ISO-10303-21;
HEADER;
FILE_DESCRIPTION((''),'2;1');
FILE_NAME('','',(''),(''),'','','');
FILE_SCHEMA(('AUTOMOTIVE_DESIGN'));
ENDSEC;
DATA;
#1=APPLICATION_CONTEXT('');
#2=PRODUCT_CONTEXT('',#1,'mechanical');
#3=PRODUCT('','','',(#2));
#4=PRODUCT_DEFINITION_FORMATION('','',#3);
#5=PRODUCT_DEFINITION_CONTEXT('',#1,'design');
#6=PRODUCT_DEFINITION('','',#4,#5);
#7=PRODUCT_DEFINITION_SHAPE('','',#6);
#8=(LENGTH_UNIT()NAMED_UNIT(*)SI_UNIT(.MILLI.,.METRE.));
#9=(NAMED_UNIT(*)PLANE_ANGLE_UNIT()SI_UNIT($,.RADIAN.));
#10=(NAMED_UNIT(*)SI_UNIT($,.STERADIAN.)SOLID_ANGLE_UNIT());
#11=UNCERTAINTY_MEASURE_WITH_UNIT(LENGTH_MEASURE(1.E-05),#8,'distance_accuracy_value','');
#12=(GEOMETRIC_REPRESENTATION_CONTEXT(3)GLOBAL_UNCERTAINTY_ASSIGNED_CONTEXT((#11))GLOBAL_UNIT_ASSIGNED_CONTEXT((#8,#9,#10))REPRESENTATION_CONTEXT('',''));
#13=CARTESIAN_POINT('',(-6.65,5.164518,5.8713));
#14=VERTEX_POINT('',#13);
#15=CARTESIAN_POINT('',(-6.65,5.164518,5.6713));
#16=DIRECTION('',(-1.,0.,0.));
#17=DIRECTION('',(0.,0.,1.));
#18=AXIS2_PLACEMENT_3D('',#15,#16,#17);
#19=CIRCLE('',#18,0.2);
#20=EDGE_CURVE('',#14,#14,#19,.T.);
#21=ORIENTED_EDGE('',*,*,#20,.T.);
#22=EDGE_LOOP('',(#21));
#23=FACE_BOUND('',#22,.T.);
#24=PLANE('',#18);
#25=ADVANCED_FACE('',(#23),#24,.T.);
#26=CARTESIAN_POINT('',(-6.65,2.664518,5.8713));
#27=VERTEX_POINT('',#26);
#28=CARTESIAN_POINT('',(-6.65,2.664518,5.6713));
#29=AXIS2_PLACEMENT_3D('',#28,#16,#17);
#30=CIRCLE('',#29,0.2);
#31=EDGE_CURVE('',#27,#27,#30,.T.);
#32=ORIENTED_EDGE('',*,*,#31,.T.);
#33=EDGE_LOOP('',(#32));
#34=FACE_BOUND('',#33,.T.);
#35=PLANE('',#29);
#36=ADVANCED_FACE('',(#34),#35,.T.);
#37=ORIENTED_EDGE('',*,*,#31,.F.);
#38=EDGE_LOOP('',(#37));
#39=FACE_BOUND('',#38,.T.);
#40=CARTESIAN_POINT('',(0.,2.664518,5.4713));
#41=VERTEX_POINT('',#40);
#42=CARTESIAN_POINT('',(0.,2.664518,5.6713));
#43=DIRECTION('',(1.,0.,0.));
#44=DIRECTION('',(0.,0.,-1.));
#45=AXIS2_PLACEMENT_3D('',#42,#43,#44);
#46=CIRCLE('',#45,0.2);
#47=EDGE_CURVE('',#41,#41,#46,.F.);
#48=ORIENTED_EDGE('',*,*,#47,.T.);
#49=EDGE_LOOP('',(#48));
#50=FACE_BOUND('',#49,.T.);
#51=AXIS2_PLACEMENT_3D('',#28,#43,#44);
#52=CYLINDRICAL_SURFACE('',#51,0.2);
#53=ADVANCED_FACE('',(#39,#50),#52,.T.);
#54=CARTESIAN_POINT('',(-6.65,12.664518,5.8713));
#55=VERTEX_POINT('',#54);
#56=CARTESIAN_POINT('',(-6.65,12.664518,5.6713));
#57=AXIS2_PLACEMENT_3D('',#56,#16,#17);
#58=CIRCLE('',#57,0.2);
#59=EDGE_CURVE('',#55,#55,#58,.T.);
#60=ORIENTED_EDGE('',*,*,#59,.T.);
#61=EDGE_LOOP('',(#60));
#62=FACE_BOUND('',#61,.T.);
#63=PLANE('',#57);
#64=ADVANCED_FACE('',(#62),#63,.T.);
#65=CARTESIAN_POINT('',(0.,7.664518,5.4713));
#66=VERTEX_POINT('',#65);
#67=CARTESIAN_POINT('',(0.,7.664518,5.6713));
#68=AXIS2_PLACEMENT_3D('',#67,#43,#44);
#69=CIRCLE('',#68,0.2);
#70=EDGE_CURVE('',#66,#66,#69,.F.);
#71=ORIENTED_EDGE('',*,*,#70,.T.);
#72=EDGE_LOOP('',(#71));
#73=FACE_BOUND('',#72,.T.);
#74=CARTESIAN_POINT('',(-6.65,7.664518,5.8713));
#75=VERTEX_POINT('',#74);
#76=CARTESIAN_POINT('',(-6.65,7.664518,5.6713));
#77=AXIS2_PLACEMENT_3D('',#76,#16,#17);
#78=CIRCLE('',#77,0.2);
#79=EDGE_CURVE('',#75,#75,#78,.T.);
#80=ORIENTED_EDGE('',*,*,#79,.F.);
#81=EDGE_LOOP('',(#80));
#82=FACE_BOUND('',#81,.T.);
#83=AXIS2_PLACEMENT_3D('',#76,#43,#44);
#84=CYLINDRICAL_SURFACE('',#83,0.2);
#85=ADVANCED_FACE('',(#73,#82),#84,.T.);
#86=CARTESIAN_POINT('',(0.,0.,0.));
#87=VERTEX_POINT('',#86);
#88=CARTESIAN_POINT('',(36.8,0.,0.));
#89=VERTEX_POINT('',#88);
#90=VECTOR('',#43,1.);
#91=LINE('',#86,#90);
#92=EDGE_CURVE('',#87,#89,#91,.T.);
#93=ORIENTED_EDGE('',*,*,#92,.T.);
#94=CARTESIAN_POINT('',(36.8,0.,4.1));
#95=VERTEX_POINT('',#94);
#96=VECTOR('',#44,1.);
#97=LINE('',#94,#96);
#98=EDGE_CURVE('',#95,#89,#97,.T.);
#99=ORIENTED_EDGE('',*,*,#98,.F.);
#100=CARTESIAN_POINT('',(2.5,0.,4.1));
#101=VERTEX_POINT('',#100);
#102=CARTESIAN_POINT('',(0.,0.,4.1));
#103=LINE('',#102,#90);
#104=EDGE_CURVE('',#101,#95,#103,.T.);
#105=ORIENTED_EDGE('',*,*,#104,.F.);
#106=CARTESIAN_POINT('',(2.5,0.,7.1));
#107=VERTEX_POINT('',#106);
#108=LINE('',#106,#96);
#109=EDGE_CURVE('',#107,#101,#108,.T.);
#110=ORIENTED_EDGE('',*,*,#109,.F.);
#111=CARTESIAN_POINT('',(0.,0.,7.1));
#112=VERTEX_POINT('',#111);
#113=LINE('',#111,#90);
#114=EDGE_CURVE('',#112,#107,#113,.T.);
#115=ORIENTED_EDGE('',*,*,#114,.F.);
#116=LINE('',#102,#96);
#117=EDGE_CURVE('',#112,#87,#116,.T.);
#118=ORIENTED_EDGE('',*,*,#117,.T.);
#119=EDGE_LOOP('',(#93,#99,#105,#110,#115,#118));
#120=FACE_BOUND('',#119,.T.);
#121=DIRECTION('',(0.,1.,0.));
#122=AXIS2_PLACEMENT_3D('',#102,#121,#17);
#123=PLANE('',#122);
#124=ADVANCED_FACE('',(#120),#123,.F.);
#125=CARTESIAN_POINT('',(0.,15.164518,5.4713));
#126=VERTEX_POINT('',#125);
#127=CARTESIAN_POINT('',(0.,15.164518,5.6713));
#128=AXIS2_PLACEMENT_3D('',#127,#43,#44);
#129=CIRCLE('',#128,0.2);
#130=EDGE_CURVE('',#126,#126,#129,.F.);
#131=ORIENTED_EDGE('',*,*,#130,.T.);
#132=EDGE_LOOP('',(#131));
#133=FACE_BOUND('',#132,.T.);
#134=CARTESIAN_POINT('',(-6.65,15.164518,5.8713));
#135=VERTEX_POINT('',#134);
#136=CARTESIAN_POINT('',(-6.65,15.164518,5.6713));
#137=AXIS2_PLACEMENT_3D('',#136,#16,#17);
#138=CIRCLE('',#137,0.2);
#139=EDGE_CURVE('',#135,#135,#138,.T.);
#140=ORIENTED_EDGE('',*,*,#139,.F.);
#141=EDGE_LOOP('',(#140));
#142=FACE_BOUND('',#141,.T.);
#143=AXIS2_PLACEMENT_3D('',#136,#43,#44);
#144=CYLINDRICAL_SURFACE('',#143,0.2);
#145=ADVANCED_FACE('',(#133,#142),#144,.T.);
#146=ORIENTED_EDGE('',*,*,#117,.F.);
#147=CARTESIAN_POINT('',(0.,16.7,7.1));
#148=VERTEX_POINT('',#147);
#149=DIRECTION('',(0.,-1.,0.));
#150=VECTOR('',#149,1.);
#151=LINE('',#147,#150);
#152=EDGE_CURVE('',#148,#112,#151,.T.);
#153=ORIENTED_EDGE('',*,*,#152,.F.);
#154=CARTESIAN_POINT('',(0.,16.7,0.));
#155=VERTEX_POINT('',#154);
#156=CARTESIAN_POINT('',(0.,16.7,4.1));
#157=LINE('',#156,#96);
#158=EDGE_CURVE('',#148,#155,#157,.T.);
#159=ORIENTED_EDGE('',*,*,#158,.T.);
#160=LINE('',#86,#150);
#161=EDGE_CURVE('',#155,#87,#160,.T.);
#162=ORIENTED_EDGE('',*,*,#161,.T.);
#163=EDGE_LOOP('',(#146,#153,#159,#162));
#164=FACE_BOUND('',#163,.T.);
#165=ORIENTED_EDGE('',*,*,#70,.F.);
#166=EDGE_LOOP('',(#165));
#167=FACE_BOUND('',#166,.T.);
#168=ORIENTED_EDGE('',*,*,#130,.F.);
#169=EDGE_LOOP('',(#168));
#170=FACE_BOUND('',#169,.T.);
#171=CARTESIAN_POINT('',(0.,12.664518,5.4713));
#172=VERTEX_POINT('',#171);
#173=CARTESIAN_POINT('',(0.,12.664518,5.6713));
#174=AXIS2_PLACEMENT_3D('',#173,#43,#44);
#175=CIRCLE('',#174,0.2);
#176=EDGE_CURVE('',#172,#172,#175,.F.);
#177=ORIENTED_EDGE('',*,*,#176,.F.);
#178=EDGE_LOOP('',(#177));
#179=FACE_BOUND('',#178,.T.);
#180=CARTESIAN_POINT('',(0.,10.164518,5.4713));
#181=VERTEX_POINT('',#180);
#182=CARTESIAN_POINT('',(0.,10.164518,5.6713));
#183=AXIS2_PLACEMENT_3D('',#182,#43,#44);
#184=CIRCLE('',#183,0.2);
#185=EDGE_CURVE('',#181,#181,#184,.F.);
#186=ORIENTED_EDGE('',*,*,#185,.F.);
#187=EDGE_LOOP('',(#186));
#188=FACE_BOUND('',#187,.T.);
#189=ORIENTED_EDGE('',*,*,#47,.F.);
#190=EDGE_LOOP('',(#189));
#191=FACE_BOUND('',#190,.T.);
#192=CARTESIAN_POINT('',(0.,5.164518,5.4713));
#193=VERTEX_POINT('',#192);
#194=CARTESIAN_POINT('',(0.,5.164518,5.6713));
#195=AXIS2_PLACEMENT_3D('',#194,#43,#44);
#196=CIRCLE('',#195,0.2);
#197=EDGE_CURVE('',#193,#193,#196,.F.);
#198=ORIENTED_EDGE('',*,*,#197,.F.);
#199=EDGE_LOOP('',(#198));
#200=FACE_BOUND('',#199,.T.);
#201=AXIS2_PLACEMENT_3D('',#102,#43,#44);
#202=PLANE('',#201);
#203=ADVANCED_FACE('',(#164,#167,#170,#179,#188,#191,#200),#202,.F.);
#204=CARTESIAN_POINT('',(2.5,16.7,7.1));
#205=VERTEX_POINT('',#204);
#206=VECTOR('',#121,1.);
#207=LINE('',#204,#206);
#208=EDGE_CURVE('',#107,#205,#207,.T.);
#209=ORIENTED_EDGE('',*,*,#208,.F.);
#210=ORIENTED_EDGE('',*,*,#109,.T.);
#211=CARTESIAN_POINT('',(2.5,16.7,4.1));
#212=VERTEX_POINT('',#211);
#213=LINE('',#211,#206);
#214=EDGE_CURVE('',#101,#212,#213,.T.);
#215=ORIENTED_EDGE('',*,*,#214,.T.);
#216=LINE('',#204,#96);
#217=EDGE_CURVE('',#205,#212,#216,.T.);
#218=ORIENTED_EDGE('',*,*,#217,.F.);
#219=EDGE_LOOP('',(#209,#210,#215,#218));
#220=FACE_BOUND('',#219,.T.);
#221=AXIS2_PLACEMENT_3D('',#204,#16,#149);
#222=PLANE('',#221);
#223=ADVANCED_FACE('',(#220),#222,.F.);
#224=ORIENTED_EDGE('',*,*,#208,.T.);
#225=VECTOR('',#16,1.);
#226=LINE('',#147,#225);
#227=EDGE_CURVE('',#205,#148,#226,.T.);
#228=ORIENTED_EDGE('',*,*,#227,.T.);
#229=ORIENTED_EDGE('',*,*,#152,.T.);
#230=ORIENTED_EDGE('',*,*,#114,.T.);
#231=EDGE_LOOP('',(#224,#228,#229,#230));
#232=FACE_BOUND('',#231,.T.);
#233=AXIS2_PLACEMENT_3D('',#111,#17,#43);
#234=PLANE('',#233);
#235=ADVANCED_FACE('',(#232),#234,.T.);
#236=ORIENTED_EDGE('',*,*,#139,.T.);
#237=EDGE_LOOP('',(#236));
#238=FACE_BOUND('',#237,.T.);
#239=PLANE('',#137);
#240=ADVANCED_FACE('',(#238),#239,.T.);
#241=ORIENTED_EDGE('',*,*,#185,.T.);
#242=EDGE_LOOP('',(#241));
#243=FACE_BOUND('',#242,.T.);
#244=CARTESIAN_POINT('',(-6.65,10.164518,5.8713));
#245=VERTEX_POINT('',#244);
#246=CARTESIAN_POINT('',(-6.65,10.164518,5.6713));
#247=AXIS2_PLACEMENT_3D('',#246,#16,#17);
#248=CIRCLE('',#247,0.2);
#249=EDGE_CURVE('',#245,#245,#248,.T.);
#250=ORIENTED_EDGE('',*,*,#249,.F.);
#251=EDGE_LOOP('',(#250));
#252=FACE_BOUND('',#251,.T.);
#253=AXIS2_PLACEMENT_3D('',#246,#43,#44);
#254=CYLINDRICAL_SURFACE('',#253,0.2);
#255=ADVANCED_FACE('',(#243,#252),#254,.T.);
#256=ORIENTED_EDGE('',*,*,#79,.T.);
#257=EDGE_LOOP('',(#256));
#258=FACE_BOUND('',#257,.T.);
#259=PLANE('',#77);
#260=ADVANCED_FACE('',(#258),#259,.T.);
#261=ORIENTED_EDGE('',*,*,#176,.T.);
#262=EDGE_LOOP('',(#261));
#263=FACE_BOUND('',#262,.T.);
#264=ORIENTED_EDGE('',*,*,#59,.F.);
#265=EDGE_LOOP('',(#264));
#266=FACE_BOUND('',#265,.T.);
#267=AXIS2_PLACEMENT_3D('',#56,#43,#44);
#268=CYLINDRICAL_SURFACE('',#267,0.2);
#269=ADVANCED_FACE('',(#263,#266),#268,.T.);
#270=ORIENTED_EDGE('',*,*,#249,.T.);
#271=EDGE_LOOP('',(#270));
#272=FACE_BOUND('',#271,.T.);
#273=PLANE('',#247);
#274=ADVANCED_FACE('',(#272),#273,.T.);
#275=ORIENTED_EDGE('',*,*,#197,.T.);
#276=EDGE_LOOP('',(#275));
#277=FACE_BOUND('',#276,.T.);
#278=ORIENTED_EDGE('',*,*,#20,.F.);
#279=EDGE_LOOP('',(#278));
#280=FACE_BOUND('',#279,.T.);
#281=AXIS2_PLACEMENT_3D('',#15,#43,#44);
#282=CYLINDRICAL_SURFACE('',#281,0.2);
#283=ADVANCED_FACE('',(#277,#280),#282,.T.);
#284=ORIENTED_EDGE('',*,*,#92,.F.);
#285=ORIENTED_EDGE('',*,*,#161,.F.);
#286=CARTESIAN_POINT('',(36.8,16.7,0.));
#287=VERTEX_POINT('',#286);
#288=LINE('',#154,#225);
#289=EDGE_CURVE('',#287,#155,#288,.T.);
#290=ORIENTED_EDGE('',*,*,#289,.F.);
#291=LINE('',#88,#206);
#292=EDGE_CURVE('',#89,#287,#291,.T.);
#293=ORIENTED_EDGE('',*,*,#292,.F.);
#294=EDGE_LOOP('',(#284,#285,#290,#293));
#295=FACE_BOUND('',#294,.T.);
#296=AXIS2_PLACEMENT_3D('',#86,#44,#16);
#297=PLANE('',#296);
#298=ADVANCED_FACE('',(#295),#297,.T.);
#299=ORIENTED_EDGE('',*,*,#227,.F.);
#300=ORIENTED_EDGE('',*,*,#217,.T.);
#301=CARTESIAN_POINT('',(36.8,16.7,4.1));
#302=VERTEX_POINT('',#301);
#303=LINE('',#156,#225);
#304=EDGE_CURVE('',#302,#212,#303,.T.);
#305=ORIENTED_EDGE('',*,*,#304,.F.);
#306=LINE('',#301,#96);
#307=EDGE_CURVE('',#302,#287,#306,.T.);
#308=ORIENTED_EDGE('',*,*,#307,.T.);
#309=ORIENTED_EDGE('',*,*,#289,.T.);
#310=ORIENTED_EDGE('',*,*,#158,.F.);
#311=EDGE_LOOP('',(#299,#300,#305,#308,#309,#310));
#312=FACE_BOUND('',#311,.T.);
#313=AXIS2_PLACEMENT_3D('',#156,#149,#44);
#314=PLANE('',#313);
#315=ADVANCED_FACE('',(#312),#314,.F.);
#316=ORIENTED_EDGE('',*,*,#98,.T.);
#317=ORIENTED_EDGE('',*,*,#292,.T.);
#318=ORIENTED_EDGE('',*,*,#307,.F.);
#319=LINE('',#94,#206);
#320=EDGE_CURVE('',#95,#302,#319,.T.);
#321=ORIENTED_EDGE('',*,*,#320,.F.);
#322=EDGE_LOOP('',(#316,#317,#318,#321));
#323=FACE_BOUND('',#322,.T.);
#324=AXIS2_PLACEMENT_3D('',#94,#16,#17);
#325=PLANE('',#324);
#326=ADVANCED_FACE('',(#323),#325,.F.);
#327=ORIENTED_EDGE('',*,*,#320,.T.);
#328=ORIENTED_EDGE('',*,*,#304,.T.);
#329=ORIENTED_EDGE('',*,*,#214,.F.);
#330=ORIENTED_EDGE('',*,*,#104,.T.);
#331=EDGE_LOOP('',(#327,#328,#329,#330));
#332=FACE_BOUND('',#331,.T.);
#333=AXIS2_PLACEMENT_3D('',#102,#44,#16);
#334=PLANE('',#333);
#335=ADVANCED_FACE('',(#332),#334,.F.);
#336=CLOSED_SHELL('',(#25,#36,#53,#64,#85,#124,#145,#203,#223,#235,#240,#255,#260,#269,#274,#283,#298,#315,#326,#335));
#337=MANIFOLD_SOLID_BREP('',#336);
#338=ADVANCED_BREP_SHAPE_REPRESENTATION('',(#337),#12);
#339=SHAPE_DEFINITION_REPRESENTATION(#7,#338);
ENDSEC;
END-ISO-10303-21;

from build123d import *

# Parameters (mm, degrees)
SKETCH_1_W      = 36.8
SKETCH_1_H      = 16.7
EXTRUDE_1_DEPTH = 4.1
SKETCH_2_W      = 2.5
SKETCH_2_H      = 16.7
EXTRUDE_2_DEPTH = 3
SKETCH_3_R      = 0.2
EXTRUDE_3_DEPTH = 6.65


with BuildPart() as part:
    # 草图1 → 凸台-拉伸1 (new body)
    with BuildSketch(Plane.XY):
        with Locations((18.4, 8.35)):
            Rectangle(SKETCH_1_W, SKETCH_1_H)
    extrude(amount=EXTRUDE_1_DEPTH)

    # 草图2 → 凸台-拉伸2 (add)
    with BuildSketch(Plane.XY.offset(4.1)):
        with Locations((1.25, 8.35)):
            Rectangle(SKETCH_2_W, SKETCH_2_H)
    extrude(amount=EXTRUDE_2_DEPTH)

    # 草图3 → 凸台-拉伸3 (add)
    with BuildSketch(Plane.ZY):
        with Locations(Location((5.671300253, 15.164518481, 0), (0, 0, 180))):
            Circle(SKETCH_3_R)
        with Locations(Location((5.671300253, 12.664518481, 0), (0, 0, 180))):
            Circle(SKETCH_3_R)
        with Locations(Location((5.671300253, 10.164518481, 0), (0, 0, 180))):
            Circle(SKETCH_3_R)
        with Locations(Location((5.671300253, 7.664518481, 0), (0, 0, 180))):
            Circle(SKETCH_3_R)
        with Locations(Location((5.671300253, 5.164518481, 0), (0, 0, 180))):
            Circle(SKETCH_3_R)
        with Locations(Location((5.671300253, 2.664518481, 0), (0, 0, 180))):
            Circle(SKETCH_3_R)
    extrude(amount=EXTRUDE_3_DEPTH)


solid = part.part
